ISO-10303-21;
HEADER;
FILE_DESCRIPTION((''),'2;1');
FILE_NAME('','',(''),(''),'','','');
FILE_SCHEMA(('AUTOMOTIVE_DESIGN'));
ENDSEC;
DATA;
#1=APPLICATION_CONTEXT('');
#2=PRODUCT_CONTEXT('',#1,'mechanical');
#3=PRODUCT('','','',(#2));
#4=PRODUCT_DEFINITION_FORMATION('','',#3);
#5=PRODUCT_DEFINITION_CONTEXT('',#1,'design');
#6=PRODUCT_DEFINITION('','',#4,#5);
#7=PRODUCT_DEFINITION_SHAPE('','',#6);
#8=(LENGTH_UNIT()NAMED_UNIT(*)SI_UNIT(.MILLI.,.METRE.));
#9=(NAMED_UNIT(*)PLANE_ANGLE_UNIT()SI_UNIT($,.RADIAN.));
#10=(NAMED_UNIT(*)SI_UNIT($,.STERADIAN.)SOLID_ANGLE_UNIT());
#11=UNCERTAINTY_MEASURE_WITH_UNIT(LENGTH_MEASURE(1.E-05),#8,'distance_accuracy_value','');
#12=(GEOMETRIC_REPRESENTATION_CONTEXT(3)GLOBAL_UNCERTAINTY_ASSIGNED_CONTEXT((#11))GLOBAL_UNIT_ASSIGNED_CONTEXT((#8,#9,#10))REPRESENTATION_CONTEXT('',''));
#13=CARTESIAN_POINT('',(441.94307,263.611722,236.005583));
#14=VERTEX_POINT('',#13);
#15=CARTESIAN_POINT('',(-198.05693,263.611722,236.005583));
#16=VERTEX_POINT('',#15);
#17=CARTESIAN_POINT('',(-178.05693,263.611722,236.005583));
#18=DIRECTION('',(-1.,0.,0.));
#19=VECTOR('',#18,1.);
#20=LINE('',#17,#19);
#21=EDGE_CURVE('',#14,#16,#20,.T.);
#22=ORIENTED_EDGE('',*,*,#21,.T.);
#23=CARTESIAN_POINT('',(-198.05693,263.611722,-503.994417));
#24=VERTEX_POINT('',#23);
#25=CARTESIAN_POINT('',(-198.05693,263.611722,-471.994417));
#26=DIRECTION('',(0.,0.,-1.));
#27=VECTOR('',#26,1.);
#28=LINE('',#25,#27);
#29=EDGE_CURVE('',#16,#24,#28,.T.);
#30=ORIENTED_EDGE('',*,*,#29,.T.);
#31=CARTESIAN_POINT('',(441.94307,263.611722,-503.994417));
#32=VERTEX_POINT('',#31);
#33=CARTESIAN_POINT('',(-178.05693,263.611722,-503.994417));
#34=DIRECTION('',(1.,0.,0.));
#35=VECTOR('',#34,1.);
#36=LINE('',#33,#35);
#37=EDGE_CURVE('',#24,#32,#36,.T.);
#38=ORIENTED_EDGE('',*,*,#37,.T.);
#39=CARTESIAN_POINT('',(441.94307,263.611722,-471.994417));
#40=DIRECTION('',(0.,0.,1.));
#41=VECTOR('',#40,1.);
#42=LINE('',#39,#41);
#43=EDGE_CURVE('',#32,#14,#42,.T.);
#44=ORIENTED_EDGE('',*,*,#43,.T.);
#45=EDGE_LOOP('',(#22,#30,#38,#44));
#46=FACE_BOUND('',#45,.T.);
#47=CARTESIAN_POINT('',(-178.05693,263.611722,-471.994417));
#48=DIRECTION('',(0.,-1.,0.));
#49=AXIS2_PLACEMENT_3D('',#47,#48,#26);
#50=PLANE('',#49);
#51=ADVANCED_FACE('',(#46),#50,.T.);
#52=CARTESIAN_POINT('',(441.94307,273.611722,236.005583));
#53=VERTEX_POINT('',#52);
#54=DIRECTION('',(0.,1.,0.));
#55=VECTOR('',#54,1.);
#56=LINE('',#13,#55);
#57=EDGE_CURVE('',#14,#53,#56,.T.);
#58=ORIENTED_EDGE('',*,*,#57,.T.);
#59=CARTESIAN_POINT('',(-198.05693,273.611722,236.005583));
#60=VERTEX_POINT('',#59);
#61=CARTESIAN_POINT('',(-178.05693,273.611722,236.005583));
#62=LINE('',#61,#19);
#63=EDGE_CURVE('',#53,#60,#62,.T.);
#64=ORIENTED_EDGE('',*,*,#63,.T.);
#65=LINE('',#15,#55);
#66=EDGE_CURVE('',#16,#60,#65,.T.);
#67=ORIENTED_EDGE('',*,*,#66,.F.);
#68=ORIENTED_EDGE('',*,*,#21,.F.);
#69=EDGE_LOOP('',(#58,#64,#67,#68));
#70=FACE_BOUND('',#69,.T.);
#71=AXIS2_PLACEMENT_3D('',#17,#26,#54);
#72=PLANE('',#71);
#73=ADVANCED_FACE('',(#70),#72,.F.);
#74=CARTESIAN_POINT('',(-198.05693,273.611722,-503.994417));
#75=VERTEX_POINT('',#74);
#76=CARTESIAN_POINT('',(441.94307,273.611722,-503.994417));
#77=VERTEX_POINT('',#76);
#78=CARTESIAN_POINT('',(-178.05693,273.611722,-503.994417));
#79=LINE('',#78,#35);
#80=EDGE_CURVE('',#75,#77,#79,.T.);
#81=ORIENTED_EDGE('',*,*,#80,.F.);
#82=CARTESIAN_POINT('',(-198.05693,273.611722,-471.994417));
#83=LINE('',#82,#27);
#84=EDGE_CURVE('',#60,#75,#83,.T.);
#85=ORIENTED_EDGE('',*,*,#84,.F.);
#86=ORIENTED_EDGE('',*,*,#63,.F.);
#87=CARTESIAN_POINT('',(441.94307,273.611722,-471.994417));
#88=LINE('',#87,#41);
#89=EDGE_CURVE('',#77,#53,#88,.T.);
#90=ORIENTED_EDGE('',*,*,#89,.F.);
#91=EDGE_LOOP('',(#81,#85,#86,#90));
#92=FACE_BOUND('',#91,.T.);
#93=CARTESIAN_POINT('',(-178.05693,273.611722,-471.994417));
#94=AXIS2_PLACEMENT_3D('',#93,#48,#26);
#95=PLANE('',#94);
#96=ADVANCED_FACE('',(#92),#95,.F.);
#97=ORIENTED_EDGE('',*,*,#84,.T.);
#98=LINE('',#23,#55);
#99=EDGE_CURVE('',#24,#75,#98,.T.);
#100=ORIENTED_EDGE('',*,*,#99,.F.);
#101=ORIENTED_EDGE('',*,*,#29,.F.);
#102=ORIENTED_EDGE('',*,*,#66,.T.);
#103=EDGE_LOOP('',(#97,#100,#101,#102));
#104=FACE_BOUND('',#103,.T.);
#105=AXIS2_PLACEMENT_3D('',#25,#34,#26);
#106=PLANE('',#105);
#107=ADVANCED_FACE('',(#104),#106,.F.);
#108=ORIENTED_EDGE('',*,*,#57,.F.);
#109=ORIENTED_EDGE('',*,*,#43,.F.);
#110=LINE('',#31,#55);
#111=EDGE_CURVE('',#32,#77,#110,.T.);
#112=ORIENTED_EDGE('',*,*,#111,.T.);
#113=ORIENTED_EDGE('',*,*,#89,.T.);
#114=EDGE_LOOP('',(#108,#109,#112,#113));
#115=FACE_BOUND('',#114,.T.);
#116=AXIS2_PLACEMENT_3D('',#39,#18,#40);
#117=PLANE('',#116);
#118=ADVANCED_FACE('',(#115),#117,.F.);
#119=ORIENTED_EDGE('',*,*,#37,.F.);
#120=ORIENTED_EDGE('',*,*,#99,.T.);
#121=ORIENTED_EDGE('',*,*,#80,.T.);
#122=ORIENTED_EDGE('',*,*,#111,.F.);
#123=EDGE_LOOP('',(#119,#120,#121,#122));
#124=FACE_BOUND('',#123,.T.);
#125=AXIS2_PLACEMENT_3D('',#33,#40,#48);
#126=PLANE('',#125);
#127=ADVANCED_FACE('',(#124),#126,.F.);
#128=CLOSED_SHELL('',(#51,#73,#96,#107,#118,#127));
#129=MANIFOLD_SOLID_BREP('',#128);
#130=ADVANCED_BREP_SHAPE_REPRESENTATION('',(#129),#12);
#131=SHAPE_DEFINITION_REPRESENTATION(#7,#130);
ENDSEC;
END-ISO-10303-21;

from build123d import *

# Parameters (mm, degrees)
BOSS_EXTRUDE1_DEPTH = 10


with BuildPart() as part:
    # 3DSketch1 → Boss-Extrude1 (new body)
    with BuildSketch(Plane(origin=(441.943070464, 263.611721566, 236.005582996), x_dir=(-0.6541519329315842, 0, -0.7563631724521444), z_dir=(0, 1, 0))):
        Polygon((0, 0), (418.657237076, 484.072430369), (978.365984691, 0), (559.708747615, -484.072430369), align=None)
    extrude(amount=BOSS_EXTRUDE1_DEPTH)


solid = part.part
